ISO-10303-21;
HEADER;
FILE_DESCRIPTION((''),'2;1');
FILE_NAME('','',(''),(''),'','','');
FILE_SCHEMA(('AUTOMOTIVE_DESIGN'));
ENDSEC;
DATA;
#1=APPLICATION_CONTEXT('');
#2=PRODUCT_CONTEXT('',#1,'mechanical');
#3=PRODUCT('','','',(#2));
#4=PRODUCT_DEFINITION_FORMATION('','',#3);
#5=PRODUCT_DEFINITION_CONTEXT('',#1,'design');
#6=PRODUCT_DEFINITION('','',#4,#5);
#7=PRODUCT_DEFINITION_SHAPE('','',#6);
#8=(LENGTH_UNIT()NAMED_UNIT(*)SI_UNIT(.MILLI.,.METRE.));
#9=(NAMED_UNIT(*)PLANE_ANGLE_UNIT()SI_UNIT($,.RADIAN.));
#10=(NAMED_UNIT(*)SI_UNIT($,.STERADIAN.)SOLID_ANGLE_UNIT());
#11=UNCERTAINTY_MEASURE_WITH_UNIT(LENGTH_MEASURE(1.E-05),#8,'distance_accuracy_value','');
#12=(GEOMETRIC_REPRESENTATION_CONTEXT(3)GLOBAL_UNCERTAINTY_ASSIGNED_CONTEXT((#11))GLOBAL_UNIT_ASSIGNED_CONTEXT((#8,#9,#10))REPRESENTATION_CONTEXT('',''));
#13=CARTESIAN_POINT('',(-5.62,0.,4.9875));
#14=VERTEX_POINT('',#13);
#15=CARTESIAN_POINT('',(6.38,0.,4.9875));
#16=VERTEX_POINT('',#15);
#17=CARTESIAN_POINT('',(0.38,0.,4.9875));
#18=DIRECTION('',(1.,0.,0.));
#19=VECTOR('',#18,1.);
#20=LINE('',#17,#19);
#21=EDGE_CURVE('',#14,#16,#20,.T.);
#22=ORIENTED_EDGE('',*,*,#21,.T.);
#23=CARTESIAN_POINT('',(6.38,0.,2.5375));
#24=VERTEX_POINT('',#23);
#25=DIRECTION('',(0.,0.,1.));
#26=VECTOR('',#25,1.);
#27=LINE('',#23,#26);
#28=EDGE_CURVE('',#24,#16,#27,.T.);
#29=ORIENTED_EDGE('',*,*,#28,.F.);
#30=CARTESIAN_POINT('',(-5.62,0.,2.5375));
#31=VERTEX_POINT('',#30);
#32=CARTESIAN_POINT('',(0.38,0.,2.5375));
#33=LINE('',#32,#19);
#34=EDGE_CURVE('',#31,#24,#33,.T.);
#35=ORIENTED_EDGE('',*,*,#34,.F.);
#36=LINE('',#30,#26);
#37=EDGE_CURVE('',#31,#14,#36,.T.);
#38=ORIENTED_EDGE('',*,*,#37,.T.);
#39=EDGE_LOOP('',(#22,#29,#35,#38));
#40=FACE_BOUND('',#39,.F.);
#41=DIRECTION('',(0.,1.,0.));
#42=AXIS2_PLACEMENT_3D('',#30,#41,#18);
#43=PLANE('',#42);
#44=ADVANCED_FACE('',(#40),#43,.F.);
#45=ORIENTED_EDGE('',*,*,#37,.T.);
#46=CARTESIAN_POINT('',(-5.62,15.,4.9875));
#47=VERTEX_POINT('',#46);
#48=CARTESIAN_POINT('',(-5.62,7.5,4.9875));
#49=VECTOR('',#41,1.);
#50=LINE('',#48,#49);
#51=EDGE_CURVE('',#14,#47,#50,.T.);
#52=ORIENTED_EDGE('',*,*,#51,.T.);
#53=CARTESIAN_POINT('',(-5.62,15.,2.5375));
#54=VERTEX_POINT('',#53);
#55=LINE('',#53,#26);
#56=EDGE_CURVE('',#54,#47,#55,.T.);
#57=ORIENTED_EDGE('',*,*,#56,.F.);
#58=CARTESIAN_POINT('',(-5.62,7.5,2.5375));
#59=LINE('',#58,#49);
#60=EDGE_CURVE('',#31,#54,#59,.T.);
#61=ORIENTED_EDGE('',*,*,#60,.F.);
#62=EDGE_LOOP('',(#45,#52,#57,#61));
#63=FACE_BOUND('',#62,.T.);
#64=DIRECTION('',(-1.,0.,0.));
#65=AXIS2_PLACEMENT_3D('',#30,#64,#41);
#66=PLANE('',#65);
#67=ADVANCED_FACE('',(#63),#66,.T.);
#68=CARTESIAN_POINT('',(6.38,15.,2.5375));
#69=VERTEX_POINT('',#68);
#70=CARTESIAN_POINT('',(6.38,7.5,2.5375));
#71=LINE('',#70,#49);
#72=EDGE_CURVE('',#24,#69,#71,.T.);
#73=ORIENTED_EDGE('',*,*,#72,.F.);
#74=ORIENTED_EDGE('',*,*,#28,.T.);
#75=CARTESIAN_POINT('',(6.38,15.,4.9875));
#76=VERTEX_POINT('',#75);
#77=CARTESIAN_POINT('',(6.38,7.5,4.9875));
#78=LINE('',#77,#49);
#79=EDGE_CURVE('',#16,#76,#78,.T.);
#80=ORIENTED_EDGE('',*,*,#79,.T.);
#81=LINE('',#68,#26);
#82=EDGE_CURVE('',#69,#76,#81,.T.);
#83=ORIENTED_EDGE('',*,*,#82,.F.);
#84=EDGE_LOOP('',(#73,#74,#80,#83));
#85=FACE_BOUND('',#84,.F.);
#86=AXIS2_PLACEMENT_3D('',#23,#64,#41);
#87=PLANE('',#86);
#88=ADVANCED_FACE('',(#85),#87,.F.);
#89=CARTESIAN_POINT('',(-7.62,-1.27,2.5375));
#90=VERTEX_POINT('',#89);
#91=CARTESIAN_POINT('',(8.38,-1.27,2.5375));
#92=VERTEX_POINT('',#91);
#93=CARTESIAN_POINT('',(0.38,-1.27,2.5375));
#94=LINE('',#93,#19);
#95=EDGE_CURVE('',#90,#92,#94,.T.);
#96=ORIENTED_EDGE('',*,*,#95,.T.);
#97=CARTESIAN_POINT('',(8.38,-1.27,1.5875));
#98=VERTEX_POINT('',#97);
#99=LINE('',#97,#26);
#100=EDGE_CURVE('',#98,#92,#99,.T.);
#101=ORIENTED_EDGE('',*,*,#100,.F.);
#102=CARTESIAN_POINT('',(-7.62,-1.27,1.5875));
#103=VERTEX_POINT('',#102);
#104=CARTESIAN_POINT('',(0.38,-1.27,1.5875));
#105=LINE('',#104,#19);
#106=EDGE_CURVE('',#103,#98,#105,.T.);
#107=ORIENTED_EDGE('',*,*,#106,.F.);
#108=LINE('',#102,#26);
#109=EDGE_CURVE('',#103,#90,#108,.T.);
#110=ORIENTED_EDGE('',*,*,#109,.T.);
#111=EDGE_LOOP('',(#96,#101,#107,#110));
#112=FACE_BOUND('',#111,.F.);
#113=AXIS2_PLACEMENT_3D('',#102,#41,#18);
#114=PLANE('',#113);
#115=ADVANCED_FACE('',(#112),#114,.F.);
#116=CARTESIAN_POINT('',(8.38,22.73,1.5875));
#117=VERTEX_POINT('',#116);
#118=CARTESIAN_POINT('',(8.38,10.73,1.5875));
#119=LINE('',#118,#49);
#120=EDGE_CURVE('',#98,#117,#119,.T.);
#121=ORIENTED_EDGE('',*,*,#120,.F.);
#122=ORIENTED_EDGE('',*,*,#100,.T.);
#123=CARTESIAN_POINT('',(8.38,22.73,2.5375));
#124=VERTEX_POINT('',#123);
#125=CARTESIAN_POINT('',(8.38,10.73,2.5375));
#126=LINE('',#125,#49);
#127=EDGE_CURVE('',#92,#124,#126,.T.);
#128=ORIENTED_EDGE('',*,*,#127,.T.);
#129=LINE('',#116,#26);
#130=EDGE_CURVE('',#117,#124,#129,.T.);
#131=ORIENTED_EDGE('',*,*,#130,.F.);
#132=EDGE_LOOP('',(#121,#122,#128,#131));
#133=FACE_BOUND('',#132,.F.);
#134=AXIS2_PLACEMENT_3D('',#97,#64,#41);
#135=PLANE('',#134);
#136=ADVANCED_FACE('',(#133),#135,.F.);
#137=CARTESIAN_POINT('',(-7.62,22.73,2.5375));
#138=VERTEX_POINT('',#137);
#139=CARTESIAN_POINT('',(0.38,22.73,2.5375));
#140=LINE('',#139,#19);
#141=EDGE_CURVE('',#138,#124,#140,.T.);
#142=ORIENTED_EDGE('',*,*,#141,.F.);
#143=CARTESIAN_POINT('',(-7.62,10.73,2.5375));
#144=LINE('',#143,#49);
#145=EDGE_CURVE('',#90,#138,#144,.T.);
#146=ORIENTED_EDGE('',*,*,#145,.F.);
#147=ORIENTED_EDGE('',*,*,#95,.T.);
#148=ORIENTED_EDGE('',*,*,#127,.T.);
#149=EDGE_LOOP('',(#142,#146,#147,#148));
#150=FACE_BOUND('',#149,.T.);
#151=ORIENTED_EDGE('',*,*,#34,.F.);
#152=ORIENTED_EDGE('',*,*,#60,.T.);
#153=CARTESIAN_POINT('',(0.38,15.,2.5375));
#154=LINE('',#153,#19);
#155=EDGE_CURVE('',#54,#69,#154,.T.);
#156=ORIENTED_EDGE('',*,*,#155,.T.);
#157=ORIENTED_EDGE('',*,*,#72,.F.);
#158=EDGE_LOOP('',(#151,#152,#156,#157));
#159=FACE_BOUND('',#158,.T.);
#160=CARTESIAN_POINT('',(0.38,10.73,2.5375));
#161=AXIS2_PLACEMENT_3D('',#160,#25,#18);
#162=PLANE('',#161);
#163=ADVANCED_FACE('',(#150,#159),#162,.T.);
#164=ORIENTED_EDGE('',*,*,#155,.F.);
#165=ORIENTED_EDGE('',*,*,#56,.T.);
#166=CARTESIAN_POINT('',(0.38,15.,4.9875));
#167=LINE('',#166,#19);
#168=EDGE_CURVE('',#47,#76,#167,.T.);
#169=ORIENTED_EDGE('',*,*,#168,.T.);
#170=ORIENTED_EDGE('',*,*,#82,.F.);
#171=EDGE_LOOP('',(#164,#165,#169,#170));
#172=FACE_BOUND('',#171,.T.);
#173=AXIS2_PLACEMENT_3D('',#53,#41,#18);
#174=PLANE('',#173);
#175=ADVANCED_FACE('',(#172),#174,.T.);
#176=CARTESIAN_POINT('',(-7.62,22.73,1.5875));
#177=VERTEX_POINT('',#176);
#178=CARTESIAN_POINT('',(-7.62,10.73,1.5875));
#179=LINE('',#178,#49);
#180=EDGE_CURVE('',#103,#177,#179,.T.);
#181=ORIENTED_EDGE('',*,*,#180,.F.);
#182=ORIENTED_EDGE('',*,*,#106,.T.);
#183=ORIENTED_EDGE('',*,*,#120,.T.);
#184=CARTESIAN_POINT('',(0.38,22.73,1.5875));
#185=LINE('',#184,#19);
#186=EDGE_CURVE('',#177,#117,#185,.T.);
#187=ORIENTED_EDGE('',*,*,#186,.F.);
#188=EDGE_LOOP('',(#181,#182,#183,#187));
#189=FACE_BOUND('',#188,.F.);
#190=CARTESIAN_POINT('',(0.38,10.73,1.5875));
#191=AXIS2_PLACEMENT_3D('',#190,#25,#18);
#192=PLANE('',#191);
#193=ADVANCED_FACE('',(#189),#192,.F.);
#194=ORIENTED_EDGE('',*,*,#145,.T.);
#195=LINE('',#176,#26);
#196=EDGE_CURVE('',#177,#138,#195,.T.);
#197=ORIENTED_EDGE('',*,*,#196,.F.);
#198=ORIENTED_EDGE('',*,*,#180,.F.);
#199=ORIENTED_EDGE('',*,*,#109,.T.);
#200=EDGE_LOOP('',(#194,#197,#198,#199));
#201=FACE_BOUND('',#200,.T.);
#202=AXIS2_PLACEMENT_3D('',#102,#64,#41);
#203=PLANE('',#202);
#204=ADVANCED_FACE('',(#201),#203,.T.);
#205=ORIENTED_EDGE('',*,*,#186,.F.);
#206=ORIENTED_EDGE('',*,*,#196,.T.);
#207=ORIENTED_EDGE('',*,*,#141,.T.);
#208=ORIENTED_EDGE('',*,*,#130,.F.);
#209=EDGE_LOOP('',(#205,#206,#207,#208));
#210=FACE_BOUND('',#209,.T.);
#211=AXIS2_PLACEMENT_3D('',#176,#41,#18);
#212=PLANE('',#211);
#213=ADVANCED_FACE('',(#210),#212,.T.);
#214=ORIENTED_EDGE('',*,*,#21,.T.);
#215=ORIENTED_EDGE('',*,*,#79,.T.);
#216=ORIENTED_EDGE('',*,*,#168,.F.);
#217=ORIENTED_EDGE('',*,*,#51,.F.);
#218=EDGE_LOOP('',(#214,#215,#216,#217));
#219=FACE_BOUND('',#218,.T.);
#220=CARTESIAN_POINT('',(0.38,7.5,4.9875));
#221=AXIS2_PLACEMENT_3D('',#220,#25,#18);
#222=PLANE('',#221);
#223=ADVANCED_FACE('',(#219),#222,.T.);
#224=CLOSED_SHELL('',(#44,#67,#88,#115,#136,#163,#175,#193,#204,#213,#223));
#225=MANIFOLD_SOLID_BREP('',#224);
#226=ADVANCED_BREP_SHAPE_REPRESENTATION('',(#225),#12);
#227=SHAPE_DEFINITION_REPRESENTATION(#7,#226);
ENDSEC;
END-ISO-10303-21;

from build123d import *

# Parameters (mm, degrees)
BOX001_W     = 16
BOX001_H     = 24
BOX001_DEPTH = 0.95
BOX_W        = 12
BOX_H        = 15
BOX_DEPTH    = 2.45


with BuildPart() as espboard:
    # Box001 → Box001 (new body)
    with BuildSketch(Plane(origin=(-7.62, -1.27, 1.27), x_dir=(1, 0, 0), z_dir=(0, 0, 1))):
        with Locations((8, 12)):
            Rectangle(BOX001_W, BOX001_H)
    extrude(amount=BOX001_DEPTH)


with BuildPart() as esp8266:
    # Box → Box (new body)
    with BuildSketch(Plane(origin=(-5.62, 0, 2.22), x_dir=(1, 0, 0), z_dir=(0, 0, 1))):
        with Locations((6, 7.5)):
            Rectangle(BOX_W, BOX_H)
    extrude(amount=BOX_DEPTH)

    # Fusion: union ESPBoard
    add(espboard.part)


with BuildPart() as esp8266_1:
    # Fusion placement: moved
    add(esp8266.part.moved(Location((0, 0, 0.3175))))


solid = esp8266_1.part
